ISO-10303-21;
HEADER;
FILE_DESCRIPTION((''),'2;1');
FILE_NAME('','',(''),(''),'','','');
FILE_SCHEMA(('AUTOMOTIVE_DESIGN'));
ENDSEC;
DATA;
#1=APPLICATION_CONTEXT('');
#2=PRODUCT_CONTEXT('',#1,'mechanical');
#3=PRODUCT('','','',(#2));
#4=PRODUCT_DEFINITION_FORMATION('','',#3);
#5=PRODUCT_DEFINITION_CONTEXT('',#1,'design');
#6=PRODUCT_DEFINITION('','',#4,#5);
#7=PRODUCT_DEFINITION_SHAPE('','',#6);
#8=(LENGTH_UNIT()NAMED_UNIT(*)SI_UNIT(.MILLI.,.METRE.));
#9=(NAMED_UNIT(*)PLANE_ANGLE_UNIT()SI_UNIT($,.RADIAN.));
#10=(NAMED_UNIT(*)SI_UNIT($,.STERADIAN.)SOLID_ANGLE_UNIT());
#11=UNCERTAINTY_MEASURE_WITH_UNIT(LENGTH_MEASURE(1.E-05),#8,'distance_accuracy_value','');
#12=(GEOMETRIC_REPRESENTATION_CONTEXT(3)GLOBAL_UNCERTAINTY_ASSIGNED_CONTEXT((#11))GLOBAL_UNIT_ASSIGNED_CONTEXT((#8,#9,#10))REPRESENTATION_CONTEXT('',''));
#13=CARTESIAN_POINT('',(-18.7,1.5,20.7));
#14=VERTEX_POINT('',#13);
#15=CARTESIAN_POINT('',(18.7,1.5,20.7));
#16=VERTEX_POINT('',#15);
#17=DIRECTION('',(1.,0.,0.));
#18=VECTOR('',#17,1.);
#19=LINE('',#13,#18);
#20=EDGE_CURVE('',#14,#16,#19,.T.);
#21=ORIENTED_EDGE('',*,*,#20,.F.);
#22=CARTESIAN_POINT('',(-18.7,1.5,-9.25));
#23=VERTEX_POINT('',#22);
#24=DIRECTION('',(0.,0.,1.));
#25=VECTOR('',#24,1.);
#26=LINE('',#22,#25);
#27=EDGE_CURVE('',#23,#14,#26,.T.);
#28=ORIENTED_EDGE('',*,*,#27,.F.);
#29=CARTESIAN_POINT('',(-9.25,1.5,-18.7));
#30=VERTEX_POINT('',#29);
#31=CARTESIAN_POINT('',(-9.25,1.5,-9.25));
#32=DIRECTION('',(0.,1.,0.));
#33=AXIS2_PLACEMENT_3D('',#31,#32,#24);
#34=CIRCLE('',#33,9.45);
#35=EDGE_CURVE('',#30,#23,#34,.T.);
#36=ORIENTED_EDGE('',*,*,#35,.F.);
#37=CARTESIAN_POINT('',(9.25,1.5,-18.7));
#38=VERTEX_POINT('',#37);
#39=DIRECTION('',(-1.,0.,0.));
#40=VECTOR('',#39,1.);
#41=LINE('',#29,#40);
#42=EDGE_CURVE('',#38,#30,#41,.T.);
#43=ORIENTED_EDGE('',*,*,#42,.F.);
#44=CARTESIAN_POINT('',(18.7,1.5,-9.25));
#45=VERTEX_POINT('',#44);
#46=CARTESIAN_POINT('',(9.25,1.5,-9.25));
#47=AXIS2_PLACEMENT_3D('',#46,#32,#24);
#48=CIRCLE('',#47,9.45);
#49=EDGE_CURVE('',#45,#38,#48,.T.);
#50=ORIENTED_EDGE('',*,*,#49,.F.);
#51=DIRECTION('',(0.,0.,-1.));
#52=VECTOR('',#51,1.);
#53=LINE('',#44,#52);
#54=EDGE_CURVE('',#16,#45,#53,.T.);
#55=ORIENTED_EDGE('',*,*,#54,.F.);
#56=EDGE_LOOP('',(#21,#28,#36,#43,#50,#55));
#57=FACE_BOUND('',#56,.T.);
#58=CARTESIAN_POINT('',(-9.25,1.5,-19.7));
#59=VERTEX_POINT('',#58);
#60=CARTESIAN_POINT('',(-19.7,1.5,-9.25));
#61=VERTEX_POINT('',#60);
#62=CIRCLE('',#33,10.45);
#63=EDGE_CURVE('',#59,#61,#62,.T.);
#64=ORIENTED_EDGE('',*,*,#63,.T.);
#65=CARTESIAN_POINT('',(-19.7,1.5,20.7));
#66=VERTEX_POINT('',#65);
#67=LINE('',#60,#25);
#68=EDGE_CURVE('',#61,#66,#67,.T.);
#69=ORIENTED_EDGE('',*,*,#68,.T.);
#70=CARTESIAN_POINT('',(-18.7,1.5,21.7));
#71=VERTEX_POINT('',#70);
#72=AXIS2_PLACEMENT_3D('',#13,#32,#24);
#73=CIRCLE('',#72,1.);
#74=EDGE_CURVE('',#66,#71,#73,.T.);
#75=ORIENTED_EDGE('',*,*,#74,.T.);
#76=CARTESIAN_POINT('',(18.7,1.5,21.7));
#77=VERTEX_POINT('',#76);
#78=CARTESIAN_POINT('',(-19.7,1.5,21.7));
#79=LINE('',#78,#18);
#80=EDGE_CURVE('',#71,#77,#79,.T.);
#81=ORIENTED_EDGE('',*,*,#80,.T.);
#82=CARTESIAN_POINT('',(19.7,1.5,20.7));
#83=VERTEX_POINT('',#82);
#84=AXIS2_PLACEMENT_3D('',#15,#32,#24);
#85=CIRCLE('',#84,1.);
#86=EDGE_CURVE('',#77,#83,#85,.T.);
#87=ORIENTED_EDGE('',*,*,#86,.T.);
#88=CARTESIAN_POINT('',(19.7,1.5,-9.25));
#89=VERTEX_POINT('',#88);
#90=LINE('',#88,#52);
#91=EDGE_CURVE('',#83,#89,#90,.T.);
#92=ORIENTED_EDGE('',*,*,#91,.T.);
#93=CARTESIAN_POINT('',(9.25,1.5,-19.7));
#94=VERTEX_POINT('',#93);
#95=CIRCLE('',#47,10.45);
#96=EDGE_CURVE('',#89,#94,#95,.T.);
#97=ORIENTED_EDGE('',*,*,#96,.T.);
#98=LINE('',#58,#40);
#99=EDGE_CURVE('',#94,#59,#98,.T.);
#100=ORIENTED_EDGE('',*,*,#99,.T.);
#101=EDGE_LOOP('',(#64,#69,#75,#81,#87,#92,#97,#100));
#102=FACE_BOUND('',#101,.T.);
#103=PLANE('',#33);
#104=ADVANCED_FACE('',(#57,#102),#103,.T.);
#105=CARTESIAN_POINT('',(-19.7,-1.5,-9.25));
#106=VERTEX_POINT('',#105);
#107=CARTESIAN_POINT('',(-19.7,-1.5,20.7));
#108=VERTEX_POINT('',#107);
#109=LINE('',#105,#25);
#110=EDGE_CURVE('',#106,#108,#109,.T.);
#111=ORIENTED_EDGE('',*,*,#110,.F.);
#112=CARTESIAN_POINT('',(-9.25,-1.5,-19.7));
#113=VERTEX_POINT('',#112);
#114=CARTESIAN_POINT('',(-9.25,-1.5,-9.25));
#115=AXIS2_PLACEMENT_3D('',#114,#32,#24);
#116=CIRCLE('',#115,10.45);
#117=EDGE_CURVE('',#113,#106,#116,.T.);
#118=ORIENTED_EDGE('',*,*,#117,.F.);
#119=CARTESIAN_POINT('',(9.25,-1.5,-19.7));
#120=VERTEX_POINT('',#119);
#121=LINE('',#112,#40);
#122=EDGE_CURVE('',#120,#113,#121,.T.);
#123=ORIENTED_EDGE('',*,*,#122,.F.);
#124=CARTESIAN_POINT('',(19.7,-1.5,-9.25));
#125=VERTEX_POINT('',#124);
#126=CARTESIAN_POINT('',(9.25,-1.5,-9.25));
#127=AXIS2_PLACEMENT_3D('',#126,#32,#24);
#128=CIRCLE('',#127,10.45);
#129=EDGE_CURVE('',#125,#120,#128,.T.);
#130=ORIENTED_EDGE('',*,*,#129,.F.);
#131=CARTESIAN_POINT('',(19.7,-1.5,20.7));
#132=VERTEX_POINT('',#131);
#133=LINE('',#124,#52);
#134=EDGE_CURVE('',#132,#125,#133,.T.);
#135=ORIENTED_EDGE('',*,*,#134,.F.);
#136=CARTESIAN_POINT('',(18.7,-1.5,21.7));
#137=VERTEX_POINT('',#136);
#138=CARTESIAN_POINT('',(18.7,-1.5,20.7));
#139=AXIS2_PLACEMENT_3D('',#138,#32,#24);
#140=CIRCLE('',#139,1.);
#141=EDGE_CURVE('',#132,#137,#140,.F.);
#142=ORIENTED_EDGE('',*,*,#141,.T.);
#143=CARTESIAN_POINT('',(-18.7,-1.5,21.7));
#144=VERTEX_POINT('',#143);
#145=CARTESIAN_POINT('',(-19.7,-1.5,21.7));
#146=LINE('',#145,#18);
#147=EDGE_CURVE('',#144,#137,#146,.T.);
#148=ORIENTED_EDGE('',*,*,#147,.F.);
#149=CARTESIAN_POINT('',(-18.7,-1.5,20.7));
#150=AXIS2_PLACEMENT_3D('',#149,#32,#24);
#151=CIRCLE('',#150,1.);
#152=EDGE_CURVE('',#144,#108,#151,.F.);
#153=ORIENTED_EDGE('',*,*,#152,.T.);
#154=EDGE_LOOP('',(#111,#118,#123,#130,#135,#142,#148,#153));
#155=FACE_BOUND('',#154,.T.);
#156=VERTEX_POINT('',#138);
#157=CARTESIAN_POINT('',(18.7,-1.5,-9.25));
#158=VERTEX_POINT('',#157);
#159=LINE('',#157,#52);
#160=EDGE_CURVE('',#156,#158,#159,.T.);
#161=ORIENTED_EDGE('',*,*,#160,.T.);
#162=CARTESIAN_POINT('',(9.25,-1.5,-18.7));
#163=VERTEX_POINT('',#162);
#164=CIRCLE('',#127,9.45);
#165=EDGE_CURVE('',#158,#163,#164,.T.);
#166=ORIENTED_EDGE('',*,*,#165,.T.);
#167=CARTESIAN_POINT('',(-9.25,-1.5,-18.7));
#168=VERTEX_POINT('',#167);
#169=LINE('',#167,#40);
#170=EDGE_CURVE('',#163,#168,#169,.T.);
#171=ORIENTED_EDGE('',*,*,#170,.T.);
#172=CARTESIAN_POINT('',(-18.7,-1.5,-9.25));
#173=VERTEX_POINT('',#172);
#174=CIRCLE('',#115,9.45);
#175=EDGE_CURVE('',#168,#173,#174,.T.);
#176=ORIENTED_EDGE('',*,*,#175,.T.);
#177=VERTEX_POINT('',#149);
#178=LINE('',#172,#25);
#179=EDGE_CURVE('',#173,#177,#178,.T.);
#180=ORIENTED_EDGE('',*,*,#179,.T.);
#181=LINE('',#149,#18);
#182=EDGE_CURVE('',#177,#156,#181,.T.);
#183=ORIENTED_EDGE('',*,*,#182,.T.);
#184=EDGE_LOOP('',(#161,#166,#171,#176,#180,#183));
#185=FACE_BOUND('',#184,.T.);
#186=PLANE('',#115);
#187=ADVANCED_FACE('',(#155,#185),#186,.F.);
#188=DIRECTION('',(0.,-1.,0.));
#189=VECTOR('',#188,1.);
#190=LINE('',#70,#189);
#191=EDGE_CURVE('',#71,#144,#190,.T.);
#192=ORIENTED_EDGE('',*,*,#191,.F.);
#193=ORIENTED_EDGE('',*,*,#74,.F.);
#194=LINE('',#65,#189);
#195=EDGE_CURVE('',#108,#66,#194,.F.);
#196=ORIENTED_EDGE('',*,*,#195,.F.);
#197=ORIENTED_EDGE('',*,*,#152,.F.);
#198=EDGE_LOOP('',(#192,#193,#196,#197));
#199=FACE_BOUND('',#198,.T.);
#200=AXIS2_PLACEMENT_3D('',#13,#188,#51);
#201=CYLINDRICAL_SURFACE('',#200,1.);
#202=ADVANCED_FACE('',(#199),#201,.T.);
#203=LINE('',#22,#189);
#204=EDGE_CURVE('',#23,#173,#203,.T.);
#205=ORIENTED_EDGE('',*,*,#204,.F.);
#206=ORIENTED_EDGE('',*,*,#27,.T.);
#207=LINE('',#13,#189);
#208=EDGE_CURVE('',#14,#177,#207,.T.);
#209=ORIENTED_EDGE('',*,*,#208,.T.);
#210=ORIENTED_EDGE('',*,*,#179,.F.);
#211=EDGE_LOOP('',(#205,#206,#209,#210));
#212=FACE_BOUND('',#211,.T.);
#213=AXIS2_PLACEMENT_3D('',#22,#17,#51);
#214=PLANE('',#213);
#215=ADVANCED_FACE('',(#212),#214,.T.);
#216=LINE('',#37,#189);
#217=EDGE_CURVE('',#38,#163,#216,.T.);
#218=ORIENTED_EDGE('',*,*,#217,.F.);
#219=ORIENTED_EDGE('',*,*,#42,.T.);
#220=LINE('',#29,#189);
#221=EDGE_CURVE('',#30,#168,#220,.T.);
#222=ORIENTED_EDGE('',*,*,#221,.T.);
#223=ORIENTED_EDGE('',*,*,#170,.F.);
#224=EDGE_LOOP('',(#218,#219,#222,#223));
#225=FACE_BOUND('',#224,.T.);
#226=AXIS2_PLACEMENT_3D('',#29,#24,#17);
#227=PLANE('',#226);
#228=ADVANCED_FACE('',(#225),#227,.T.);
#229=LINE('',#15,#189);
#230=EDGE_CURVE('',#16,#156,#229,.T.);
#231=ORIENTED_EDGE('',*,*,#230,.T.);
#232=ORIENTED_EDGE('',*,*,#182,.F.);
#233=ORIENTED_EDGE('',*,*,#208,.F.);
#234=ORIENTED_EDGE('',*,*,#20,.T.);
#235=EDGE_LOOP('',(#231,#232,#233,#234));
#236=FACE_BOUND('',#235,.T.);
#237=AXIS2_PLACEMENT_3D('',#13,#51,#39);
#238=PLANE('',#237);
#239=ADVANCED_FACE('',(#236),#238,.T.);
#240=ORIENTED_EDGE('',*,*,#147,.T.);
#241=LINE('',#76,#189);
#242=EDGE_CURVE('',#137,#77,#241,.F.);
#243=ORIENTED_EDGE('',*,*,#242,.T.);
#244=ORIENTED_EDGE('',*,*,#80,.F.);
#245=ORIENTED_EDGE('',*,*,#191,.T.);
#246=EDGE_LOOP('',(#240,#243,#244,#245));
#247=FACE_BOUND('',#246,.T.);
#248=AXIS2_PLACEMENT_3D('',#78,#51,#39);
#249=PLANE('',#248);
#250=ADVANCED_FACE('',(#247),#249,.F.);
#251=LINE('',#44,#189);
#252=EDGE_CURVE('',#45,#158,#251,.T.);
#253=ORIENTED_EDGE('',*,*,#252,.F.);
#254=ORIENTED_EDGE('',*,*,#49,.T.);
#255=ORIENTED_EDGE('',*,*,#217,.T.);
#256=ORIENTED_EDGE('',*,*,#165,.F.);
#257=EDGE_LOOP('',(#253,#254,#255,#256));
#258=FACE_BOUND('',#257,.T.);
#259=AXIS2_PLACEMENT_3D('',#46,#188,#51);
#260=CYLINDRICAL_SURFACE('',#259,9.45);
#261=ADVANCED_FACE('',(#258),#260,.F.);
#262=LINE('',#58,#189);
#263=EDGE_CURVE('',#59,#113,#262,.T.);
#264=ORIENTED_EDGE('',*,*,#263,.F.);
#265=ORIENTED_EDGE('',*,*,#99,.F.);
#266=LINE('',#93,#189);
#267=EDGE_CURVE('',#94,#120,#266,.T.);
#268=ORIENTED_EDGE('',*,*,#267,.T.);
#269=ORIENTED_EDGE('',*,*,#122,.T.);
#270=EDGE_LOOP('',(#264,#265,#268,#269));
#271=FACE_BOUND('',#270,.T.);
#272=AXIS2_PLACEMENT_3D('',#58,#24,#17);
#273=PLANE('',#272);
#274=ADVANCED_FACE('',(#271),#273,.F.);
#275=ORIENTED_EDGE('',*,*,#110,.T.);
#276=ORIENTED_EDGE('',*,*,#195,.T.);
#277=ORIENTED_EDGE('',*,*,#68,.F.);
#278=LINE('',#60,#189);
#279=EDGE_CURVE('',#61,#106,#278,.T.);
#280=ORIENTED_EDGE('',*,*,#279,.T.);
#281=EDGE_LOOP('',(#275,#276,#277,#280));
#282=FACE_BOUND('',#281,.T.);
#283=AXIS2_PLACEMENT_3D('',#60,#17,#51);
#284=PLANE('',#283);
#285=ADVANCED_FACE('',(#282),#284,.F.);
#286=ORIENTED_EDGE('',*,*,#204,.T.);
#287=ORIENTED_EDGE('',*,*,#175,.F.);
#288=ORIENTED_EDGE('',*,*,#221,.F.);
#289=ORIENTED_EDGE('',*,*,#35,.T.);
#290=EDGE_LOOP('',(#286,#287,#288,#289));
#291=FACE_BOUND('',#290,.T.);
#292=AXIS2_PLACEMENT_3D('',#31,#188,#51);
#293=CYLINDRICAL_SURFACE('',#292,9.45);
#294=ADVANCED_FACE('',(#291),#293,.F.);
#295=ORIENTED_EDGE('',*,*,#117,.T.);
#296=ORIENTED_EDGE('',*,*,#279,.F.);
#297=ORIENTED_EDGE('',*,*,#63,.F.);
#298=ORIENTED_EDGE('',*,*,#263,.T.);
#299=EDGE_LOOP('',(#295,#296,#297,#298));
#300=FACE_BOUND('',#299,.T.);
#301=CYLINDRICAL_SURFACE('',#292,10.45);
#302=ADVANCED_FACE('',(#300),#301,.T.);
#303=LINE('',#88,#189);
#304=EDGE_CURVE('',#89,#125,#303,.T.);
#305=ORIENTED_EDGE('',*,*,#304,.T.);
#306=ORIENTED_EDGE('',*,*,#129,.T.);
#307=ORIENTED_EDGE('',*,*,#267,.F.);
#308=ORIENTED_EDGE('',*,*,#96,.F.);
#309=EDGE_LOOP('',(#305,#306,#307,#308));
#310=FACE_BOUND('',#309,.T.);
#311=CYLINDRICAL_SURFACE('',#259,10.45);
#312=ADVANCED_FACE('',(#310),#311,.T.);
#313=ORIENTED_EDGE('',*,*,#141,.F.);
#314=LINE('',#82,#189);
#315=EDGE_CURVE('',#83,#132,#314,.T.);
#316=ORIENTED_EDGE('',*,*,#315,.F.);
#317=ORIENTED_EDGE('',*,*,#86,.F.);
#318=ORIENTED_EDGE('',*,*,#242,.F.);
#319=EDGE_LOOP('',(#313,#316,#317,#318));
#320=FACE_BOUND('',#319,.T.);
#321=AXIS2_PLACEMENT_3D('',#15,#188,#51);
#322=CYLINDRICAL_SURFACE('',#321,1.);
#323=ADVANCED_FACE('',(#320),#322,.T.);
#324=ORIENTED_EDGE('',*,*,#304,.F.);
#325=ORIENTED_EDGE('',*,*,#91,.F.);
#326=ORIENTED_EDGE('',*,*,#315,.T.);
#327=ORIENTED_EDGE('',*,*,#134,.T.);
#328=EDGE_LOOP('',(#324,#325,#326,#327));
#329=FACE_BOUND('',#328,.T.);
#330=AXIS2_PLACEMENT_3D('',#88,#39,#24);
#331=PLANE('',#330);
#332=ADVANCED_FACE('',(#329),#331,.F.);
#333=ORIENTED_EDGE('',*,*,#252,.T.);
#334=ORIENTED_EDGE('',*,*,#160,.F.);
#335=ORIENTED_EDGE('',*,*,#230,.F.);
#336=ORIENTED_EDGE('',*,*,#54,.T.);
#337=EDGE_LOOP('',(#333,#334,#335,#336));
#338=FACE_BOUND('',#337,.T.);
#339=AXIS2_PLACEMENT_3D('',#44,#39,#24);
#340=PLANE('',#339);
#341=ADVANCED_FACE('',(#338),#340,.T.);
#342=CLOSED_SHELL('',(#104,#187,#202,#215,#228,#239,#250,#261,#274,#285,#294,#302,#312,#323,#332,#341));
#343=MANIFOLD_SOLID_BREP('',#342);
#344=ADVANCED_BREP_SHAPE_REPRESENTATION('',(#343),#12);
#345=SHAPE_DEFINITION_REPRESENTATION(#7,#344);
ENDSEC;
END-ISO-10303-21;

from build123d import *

# Parameters (mm, degrees)
BOSS_EXTRUDE1_DEPTH = 1.5
FILLET1_R           = 1


with BuildPart() as part:
    # Sketch1 → Boss-Extrude1 (new, symmetric)
    with BuildSketch(Plane(origin=(0, 0, 0), x_dir=(1, 0, 0), z_dir=(0, 1, 0))):
        with BuildLine():
            Line((-19.7, 9.25), (-19.7, -21.7))
            Line((-19.7, -21.7), (19.7, -21.7))
            Line((19.7, -21.7), (19.7, 9.25))
            ThreePointArc((19.7, 9.25), (16.639265863, 16.639265863), (9.25, 19.7))
            Line((9.25, 19.7), (-9.25, 19.7))
            ThreePointArc((-9.25, 19.7), (-16.639265863, 16.639265863), (-19.7, 9.25))
        make_face()
        with BuildLine():
            Line((-18.7, -20.7), (18.7, -20.7))
            Line((18.7, -20.7), (18.7, 9.25))
            ThreePointArc((18.7, 9.25), (15.932159082, 15.932159082), (9.25, 18.7))
            Line((9.25, 18.7), (-9.25, 18.7))
            ThreePointArc((-9.25, 18.7), (-15.932159082, 15.932159082), (-18.7, 9.25))
            Line((-18.7, 9.25), (-18.7, -20.7))
        make_face(mode=Mode.SUBTRACT)
    extrude(amount=BOSS_EXTRUDE1_DEPTH, both=True)

    # Fillet1
    fillet1_edges = [part.edges().sort_by_distance(p)[0] for p in [
        (19.7, 0, 21.7),
        (-19.7, 0, 21.7),
    ]]
    fillet(fillet1_edges, radius=FILLET1_R)


solid = part.part
